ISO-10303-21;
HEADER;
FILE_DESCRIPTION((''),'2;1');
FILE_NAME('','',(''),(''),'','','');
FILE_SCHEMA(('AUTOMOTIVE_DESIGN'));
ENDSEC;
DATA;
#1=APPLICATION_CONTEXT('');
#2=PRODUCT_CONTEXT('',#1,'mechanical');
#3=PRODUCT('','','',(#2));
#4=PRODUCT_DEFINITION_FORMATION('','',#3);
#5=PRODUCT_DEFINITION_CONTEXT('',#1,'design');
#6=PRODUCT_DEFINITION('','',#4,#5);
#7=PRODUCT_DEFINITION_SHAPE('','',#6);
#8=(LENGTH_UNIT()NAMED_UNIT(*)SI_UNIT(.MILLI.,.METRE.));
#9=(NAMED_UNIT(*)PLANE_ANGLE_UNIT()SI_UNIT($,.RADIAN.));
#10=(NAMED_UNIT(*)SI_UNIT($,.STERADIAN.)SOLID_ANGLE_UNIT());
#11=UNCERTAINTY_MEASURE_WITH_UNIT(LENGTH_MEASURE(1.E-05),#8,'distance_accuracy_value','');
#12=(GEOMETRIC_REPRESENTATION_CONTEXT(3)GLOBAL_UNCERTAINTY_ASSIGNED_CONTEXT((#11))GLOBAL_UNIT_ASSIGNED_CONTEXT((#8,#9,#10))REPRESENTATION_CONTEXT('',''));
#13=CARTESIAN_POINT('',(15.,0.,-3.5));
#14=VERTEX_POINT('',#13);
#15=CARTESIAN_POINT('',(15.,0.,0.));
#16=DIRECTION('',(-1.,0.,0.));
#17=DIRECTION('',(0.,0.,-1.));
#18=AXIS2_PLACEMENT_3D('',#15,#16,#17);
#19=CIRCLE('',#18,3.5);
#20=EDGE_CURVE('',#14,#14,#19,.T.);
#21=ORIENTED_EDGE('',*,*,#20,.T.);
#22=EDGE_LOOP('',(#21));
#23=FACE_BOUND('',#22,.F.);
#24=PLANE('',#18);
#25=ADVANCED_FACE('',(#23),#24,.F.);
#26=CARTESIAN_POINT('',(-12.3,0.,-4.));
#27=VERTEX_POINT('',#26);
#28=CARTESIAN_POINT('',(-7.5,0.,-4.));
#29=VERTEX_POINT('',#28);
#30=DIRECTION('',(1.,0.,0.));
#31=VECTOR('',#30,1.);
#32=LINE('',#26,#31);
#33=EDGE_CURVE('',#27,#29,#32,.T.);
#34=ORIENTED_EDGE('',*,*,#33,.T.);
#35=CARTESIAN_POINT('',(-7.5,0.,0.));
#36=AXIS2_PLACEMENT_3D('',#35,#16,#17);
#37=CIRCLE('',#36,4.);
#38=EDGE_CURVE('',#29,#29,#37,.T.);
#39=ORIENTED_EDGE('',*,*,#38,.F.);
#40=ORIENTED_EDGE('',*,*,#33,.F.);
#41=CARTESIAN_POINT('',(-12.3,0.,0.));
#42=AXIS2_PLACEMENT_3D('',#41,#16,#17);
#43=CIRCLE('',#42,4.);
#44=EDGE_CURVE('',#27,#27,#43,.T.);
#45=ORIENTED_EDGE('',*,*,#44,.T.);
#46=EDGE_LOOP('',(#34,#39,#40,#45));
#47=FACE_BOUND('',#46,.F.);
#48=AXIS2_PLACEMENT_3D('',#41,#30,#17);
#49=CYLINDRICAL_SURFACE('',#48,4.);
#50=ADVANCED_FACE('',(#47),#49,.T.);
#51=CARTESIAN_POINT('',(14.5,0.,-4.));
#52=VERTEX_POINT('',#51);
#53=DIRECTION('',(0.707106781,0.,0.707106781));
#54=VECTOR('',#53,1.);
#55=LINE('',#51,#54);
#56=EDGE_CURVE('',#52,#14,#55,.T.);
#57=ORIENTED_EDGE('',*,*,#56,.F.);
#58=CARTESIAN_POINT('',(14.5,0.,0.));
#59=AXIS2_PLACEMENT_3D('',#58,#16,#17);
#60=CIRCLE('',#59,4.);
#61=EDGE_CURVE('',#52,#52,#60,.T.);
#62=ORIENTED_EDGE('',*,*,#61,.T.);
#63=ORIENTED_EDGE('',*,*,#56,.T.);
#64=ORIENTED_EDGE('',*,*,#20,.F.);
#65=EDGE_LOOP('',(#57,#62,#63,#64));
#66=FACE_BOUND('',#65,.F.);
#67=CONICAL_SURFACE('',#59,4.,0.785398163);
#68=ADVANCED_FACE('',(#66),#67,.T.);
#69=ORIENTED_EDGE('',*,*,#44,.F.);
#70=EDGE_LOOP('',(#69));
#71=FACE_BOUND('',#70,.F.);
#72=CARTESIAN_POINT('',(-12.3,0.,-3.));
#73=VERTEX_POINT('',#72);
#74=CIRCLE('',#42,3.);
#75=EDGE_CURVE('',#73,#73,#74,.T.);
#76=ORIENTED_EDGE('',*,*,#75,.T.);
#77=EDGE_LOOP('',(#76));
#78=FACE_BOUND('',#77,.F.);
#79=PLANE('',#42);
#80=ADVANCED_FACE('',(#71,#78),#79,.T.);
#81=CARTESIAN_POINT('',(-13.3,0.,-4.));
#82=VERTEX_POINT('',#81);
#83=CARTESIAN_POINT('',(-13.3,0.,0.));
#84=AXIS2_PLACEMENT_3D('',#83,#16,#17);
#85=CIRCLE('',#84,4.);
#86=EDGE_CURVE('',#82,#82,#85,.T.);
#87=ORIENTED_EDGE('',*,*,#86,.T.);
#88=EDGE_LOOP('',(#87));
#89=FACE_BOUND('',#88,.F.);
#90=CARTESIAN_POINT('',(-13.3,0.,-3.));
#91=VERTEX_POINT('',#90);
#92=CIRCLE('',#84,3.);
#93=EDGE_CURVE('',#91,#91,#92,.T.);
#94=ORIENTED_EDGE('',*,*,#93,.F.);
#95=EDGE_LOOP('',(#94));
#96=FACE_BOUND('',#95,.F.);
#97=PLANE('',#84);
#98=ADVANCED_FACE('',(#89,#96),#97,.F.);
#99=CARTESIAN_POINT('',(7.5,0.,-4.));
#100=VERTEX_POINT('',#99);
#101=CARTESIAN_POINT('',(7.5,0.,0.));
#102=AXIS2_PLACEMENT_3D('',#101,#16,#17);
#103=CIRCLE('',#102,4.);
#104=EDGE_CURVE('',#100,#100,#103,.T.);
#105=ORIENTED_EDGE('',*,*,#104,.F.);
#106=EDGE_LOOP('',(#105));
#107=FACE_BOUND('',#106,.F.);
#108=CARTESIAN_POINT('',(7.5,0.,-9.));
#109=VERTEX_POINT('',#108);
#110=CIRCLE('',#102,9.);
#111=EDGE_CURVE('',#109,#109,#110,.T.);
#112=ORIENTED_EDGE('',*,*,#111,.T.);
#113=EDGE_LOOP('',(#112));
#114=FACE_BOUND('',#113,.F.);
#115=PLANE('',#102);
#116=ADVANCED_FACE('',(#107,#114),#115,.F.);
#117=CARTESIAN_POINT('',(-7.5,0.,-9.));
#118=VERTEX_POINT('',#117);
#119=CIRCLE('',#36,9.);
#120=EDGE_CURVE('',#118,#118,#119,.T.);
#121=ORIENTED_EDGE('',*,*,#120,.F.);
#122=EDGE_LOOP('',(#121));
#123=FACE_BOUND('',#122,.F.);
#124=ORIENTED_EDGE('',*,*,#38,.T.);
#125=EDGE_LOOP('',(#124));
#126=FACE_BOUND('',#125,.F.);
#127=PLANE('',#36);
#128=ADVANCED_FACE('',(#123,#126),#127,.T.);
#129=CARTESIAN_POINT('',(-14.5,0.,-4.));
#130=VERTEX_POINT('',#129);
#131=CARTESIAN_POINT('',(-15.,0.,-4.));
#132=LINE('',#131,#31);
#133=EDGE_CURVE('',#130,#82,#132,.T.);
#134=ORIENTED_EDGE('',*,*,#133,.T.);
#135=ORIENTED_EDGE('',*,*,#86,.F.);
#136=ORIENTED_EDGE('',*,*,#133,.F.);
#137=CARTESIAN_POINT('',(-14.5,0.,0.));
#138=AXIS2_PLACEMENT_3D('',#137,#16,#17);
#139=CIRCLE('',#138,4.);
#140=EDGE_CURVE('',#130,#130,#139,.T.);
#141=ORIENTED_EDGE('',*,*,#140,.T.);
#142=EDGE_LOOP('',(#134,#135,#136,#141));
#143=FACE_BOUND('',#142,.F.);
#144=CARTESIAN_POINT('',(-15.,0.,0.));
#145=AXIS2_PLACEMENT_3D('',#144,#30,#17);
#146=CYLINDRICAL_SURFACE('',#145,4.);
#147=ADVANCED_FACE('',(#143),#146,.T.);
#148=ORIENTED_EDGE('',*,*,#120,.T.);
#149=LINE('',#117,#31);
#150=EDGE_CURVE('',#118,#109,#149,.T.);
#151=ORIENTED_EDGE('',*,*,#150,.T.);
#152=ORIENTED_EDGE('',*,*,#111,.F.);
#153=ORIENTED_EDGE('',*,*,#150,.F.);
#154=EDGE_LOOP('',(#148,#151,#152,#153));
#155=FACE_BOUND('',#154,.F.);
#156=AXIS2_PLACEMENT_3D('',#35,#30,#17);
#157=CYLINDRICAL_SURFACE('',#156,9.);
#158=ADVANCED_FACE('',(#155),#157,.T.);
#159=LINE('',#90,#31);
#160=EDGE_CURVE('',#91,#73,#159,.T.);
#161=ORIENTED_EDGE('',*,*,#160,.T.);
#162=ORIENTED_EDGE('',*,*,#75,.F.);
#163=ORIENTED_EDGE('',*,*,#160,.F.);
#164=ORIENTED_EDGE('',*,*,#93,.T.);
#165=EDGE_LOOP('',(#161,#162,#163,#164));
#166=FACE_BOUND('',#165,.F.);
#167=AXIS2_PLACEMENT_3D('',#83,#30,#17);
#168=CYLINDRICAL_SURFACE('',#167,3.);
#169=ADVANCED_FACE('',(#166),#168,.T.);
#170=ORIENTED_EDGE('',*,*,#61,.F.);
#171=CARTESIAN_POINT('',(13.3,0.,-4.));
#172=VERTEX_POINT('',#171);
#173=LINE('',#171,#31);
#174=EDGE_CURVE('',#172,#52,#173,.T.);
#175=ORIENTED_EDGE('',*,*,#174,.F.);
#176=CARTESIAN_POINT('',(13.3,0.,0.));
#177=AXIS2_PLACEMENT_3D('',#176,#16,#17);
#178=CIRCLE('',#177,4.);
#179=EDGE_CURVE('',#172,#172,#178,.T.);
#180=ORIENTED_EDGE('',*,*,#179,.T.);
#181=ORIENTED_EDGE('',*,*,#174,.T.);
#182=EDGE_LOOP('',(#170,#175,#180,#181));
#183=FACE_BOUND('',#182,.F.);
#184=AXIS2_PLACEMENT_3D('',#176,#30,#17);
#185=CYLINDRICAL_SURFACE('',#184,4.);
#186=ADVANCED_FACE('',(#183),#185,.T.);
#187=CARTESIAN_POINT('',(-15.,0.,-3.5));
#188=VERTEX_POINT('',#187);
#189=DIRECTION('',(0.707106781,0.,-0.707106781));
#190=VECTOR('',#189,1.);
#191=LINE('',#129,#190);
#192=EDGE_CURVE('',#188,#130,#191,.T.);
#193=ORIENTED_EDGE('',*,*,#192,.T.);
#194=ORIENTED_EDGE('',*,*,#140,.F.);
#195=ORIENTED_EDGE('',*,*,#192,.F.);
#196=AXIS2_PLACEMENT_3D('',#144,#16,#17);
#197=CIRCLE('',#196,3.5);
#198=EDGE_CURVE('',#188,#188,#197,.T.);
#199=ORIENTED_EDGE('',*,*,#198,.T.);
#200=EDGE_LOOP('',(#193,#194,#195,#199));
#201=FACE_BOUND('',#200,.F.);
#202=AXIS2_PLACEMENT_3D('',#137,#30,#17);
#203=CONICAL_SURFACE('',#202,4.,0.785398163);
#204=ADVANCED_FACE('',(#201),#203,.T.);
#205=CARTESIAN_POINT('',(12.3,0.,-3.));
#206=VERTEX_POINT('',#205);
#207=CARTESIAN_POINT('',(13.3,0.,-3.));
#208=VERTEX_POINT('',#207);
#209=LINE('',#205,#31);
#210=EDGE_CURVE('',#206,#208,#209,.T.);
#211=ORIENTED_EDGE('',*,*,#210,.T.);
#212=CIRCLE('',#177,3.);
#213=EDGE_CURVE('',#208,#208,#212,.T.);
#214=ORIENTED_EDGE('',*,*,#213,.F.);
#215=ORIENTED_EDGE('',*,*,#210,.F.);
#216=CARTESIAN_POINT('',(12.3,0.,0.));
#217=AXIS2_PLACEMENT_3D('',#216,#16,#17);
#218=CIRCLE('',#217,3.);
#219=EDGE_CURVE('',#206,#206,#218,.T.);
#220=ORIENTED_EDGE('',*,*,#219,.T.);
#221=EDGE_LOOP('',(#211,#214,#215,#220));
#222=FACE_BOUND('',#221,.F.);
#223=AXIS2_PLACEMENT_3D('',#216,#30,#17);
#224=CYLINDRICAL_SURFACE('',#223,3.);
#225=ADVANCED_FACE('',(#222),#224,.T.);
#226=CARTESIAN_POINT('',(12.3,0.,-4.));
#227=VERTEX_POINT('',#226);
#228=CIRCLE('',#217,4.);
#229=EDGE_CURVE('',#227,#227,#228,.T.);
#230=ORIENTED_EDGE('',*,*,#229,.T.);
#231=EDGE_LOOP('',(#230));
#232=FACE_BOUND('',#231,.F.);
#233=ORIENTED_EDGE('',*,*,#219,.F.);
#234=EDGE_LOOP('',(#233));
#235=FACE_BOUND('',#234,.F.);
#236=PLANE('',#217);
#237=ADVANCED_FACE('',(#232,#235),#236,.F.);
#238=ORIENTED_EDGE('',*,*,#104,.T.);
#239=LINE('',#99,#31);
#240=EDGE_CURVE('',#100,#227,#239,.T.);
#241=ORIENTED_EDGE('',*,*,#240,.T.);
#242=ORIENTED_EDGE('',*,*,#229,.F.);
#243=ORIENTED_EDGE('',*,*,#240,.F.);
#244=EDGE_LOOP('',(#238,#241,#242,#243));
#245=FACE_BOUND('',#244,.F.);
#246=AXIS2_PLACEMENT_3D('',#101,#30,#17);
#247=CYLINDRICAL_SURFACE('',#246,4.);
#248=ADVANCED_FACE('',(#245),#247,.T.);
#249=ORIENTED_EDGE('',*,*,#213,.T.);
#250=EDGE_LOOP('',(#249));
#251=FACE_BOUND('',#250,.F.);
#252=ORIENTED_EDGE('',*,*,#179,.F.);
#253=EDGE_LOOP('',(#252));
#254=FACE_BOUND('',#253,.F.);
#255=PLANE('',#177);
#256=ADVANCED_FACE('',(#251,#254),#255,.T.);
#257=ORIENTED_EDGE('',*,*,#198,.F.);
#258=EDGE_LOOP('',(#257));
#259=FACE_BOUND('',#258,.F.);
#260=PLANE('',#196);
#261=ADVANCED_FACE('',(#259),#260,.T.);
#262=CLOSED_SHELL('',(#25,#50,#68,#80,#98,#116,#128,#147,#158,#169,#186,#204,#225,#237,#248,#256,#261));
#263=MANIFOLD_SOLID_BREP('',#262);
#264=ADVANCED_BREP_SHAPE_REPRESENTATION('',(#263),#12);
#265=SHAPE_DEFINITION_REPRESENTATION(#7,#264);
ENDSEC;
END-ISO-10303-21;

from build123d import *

# Parameters (mm, degrees)
F2_SIZE2 = 0.5
F2_SIZE  = 0.5


with BuildPart() as f1:
    # F0 (on Front) → F1 (revolve)
    with BuildSketch(Plane.XZ):
        Polygon((15, 0), (-15, 0), (-15, -4), (-13.3, -4), (-13.3, -3), (-12.3, -3), (-12.3, -4), (-7.5, -4), (-7.5, -9), (7.5, -9), (7.5, -4), (12.3, -4), (12.3, -3), (13.3, -3), (13.3, -4), (15, -4), align=None)
    revolve(axis=Axis((-12.237907, 0, 0), (-1, 0, 0)))

    # F2
    f2_edges = [f1.edges().sort_by_distance(p)[0] for p in [
        (15, 0, 4),
        (-15, 0, 4),
    ]]
    chamfer(f2_edges, length=F2_SIZE, length2=F2_SIZE2)


solid = f1.part
